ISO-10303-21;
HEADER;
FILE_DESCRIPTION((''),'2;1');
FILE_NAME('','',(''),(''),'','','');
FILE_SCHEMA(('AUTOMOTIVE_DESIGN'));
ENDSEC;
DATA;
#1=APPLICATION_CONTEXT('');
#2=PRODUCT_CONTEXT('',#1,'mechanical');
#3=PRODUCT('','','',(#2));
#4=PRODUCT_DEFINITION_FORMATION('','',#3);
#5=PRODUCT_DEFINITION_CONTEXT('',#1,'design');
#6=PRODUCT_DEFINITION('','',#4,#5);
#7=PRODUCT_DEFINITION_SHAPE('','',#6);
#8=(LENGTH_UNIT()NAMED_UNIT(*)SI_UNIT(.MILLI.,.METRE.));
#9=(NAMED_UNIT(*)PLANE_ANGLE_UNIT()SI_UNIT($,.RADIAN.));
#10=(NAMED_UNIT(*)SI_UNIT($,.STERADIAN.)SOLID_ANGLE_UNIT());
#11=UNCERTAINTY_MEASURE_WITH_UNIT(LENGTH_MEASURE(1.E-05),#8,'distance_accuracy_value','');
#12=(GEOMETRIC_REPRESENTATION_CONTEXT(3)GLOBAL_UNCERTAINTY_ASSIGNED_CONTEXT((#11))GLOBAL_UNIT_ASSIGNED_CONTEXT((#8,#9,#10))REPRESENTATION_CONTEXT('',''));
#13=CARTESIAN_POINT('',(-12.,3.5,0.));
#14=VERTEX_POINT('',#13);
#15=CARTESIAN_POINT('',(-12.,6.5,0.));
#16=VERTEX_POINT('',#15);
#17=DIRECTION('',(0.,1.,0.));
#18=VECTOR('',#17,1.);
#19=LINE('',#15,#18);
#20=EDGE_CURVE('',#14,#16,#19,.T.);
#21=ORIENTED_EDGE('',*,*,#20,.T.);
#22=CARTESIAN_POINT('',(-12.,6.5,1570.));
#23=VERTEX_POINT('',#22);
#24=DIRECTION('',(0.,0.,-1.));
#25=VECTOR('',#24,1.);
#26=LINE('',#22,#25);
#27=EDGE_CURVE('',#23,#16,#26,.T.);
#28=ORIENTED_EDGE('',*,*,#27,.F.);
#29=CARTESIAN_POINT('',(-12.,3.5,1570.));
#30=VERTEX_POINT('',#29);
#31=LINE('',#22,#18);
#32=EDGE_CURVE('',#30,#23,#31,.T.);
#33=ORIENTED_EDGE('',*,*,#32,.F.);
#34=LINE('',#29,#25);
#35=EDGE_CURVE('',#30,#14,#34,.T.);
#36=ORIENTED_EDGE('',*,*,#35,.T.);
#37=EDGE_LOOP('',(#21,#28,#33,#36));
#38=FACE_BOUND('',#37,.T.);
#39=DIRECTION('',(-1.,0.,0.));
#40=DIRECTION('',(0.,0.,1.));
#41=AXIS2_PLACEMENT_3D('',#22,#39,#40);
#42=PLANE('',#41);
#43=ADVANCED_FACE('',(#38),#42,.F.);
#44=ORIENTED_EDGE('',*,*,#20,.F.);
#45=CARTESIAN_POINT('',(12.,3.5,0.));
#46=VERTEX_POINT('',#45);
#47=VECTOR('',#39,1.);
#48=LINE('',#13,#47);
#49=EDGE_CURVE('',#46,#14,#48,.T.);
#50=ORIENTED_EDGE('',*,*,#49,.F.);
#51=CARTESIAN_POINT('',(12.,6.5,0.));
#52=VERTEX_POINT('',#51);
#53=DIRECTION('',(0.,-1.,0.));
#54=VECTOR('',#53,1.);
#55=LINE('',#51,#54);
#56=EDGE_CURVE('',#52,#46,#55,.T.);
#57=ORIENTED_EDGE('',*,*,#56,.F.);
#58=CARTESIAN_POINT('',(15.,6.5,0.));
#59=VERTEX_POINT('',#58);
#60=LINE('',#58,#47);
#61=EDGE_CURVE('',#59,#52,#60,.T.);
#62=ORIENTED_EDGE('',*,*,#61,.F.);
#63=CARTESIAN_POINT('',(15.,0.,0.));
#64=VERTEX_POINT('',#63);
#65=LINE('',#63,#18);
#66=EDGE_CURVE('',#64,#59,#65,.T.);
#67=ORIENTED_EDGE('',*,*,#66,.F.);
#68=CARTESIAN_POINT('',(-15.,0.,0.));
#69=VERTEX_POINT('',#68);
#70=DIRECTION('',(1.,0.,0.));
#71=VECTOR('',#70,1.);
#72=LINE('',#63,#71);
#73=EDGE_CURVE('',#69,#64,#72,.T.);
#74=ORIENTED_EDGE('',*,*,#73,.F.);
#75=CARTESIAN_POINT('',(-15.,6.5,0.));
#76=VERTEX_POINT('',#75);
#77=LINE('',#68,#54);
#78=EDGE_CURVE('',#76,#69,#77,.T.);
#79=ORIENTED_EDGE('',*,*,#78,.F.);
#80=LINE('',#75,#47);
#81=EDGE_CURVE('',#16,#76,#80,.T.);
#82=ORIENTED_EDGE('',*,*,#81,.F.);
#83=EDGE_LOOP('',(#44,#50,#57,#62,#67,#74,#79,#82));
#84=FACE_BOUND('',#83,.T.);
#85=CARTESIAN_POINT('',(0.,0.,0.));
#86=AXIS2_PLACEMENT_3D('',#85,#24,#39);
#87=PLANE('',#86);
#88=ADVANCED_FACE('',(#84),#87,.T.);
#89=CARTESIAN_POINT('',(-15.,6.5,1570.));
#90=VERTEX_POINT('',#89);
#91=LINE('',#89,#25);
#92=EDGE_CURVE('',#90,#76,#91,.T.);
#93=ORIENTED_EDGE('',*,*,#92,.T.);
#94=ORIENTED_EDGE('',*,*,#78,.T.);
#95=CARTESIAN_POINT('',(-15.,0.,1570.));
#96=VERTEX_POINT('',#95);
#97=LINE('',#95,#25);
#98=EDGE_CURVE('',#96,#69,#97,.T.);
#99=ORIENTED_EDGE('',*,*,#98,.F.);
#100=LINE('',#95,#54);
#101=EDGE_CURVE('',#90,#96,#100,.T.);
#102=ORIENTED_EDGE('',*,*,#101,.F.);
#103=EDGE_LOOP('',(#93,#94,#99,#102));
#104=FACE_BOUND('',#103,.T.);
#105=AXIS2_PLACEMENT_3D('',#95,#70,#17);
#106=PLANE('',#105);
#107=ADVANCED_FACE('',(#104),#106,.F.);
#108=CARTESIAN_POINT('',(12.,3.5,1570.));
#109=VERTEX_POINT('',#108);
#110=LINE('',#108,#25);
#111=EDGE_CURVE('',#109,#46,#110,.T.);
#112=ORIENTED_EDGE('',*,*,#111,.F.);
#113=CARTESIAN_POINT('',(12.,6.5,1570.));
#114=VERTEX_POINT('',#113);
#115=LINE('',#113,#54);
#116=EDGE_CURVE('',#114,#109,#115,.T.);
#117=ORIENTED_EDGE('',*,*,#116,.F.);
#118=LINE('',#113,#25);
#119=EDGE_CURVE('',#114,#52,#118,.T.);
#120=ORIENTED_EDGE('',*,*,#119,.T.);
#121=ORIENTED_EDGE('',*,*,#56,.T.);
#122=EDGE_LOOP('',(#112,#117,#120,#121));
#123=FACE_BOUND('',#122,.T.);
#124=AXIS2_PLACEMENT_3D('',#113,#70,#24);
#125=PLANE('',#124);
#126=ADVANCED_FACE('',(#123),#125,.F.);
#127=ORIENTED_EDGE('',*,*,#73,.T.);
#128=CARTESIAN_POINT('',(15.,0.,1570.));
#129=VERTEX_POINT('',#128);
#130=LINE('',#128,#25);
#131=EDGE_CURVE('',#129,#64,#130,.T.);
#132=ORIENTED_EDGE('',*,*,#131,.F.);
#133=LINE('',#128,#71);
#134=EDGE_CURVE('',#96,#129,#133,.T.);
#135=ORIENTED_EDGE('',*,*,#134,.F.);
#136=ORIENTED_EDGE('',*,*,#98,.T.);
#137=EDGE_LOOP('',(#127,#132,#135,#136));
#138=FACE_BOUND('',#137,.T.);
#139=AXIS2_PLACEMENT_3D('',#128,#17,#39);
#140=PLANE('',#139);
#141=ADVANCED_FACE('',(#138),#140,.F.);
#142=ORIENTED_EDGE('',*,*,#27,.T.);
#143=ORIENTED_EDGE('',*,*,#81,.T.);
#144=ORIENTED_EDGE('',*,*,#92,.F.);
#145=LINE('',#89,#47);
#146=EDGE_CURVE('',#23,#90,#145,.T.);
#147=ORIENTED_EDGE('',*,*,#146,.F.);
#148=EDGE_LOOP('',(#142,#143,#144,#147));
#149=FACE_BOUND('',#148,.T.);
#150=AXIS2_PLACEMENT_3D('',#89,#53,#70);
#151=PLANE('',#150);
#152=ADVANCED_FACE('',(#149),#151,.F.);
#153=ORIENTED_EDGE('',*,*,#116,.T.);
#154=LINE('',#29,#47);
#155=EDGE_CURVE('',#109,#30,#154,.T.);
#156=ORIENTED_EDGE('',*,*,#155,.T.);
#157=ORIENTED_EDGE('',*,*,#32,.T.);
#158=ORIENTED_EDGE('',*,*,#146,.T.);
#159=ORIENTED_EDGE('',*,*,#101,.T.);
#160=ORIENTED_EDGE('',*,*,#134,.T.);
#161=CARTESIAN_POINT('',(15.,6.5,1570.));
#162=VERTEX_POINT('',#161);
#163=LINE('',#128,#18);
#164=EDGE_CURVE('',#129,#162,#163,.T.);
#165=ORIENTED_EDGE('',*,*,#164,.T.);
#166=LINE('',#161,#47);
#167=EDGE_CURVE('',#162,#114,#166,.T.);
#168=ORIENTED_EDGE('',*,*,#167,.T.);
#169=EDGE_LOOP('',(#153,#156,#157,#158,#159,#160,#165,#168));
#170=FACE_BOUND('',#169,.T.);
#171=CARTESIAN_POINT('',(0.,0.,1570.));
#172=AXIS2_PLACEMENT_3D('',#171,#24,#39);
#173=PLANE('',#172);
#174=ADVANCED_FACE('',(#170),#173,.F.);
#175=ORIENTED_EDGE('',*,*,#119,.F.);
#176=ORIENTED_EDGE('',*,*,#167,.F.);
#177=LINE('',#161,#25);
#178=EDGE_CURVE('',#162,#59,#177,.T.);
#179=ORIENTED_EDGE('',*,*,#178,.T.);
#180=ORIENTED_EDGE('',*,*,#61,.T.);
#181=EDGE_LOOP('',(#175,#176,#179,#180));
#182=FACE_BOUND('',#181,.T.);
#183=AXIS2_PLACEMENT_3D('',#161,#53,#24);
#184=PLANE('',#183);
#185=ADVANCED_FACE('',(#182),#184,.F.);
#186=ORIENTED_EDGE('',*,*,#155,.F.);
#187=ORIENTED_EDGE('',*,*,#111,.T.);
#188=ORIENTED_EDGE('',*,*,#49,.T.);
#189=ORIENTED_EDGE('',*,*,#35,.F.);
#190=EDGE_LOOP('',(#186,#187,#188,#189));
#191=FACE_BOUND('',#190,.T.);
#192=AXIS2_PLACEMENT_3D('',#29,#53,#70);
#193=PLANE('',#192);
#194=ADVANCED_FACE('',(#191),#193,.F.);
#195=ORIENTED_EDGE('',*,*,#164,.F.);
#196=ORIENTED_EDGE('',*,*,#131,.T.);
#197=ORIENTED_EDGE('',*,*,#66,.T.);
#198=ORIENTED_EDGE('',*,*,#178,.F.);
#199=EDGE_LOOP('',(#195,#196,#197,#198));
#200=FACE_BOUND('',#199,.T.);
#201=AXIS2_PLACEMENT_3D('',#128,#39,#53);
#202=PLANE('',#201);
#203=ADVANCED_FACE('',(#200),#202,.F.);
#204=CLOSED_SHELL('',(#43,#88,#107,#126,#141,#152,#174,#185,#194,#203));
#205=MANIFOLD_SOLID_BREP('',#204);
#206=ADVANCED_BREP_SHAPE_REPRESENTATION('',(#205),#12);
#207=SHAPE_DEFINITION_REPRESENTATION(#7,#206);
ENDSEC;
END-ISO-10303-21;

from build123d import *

# Parameters (mm, degrees)
EXTRUDE_1_DEPTH = 1570


with BuildPart() as part:
    # 草图1 → 凸台-拉伸1 (new body)
    with BuildSketch(Plane.XY):
        Polygon((15, 0), (-15, 0), (-15, 6.5), (-12, 6.5), (-12, 3.5), (12, 3.5), (12, 6.5), (15, 6.5), align=None)
    extrude(amount=EXTRUDE_1_DEPTH)


solid = part.part
